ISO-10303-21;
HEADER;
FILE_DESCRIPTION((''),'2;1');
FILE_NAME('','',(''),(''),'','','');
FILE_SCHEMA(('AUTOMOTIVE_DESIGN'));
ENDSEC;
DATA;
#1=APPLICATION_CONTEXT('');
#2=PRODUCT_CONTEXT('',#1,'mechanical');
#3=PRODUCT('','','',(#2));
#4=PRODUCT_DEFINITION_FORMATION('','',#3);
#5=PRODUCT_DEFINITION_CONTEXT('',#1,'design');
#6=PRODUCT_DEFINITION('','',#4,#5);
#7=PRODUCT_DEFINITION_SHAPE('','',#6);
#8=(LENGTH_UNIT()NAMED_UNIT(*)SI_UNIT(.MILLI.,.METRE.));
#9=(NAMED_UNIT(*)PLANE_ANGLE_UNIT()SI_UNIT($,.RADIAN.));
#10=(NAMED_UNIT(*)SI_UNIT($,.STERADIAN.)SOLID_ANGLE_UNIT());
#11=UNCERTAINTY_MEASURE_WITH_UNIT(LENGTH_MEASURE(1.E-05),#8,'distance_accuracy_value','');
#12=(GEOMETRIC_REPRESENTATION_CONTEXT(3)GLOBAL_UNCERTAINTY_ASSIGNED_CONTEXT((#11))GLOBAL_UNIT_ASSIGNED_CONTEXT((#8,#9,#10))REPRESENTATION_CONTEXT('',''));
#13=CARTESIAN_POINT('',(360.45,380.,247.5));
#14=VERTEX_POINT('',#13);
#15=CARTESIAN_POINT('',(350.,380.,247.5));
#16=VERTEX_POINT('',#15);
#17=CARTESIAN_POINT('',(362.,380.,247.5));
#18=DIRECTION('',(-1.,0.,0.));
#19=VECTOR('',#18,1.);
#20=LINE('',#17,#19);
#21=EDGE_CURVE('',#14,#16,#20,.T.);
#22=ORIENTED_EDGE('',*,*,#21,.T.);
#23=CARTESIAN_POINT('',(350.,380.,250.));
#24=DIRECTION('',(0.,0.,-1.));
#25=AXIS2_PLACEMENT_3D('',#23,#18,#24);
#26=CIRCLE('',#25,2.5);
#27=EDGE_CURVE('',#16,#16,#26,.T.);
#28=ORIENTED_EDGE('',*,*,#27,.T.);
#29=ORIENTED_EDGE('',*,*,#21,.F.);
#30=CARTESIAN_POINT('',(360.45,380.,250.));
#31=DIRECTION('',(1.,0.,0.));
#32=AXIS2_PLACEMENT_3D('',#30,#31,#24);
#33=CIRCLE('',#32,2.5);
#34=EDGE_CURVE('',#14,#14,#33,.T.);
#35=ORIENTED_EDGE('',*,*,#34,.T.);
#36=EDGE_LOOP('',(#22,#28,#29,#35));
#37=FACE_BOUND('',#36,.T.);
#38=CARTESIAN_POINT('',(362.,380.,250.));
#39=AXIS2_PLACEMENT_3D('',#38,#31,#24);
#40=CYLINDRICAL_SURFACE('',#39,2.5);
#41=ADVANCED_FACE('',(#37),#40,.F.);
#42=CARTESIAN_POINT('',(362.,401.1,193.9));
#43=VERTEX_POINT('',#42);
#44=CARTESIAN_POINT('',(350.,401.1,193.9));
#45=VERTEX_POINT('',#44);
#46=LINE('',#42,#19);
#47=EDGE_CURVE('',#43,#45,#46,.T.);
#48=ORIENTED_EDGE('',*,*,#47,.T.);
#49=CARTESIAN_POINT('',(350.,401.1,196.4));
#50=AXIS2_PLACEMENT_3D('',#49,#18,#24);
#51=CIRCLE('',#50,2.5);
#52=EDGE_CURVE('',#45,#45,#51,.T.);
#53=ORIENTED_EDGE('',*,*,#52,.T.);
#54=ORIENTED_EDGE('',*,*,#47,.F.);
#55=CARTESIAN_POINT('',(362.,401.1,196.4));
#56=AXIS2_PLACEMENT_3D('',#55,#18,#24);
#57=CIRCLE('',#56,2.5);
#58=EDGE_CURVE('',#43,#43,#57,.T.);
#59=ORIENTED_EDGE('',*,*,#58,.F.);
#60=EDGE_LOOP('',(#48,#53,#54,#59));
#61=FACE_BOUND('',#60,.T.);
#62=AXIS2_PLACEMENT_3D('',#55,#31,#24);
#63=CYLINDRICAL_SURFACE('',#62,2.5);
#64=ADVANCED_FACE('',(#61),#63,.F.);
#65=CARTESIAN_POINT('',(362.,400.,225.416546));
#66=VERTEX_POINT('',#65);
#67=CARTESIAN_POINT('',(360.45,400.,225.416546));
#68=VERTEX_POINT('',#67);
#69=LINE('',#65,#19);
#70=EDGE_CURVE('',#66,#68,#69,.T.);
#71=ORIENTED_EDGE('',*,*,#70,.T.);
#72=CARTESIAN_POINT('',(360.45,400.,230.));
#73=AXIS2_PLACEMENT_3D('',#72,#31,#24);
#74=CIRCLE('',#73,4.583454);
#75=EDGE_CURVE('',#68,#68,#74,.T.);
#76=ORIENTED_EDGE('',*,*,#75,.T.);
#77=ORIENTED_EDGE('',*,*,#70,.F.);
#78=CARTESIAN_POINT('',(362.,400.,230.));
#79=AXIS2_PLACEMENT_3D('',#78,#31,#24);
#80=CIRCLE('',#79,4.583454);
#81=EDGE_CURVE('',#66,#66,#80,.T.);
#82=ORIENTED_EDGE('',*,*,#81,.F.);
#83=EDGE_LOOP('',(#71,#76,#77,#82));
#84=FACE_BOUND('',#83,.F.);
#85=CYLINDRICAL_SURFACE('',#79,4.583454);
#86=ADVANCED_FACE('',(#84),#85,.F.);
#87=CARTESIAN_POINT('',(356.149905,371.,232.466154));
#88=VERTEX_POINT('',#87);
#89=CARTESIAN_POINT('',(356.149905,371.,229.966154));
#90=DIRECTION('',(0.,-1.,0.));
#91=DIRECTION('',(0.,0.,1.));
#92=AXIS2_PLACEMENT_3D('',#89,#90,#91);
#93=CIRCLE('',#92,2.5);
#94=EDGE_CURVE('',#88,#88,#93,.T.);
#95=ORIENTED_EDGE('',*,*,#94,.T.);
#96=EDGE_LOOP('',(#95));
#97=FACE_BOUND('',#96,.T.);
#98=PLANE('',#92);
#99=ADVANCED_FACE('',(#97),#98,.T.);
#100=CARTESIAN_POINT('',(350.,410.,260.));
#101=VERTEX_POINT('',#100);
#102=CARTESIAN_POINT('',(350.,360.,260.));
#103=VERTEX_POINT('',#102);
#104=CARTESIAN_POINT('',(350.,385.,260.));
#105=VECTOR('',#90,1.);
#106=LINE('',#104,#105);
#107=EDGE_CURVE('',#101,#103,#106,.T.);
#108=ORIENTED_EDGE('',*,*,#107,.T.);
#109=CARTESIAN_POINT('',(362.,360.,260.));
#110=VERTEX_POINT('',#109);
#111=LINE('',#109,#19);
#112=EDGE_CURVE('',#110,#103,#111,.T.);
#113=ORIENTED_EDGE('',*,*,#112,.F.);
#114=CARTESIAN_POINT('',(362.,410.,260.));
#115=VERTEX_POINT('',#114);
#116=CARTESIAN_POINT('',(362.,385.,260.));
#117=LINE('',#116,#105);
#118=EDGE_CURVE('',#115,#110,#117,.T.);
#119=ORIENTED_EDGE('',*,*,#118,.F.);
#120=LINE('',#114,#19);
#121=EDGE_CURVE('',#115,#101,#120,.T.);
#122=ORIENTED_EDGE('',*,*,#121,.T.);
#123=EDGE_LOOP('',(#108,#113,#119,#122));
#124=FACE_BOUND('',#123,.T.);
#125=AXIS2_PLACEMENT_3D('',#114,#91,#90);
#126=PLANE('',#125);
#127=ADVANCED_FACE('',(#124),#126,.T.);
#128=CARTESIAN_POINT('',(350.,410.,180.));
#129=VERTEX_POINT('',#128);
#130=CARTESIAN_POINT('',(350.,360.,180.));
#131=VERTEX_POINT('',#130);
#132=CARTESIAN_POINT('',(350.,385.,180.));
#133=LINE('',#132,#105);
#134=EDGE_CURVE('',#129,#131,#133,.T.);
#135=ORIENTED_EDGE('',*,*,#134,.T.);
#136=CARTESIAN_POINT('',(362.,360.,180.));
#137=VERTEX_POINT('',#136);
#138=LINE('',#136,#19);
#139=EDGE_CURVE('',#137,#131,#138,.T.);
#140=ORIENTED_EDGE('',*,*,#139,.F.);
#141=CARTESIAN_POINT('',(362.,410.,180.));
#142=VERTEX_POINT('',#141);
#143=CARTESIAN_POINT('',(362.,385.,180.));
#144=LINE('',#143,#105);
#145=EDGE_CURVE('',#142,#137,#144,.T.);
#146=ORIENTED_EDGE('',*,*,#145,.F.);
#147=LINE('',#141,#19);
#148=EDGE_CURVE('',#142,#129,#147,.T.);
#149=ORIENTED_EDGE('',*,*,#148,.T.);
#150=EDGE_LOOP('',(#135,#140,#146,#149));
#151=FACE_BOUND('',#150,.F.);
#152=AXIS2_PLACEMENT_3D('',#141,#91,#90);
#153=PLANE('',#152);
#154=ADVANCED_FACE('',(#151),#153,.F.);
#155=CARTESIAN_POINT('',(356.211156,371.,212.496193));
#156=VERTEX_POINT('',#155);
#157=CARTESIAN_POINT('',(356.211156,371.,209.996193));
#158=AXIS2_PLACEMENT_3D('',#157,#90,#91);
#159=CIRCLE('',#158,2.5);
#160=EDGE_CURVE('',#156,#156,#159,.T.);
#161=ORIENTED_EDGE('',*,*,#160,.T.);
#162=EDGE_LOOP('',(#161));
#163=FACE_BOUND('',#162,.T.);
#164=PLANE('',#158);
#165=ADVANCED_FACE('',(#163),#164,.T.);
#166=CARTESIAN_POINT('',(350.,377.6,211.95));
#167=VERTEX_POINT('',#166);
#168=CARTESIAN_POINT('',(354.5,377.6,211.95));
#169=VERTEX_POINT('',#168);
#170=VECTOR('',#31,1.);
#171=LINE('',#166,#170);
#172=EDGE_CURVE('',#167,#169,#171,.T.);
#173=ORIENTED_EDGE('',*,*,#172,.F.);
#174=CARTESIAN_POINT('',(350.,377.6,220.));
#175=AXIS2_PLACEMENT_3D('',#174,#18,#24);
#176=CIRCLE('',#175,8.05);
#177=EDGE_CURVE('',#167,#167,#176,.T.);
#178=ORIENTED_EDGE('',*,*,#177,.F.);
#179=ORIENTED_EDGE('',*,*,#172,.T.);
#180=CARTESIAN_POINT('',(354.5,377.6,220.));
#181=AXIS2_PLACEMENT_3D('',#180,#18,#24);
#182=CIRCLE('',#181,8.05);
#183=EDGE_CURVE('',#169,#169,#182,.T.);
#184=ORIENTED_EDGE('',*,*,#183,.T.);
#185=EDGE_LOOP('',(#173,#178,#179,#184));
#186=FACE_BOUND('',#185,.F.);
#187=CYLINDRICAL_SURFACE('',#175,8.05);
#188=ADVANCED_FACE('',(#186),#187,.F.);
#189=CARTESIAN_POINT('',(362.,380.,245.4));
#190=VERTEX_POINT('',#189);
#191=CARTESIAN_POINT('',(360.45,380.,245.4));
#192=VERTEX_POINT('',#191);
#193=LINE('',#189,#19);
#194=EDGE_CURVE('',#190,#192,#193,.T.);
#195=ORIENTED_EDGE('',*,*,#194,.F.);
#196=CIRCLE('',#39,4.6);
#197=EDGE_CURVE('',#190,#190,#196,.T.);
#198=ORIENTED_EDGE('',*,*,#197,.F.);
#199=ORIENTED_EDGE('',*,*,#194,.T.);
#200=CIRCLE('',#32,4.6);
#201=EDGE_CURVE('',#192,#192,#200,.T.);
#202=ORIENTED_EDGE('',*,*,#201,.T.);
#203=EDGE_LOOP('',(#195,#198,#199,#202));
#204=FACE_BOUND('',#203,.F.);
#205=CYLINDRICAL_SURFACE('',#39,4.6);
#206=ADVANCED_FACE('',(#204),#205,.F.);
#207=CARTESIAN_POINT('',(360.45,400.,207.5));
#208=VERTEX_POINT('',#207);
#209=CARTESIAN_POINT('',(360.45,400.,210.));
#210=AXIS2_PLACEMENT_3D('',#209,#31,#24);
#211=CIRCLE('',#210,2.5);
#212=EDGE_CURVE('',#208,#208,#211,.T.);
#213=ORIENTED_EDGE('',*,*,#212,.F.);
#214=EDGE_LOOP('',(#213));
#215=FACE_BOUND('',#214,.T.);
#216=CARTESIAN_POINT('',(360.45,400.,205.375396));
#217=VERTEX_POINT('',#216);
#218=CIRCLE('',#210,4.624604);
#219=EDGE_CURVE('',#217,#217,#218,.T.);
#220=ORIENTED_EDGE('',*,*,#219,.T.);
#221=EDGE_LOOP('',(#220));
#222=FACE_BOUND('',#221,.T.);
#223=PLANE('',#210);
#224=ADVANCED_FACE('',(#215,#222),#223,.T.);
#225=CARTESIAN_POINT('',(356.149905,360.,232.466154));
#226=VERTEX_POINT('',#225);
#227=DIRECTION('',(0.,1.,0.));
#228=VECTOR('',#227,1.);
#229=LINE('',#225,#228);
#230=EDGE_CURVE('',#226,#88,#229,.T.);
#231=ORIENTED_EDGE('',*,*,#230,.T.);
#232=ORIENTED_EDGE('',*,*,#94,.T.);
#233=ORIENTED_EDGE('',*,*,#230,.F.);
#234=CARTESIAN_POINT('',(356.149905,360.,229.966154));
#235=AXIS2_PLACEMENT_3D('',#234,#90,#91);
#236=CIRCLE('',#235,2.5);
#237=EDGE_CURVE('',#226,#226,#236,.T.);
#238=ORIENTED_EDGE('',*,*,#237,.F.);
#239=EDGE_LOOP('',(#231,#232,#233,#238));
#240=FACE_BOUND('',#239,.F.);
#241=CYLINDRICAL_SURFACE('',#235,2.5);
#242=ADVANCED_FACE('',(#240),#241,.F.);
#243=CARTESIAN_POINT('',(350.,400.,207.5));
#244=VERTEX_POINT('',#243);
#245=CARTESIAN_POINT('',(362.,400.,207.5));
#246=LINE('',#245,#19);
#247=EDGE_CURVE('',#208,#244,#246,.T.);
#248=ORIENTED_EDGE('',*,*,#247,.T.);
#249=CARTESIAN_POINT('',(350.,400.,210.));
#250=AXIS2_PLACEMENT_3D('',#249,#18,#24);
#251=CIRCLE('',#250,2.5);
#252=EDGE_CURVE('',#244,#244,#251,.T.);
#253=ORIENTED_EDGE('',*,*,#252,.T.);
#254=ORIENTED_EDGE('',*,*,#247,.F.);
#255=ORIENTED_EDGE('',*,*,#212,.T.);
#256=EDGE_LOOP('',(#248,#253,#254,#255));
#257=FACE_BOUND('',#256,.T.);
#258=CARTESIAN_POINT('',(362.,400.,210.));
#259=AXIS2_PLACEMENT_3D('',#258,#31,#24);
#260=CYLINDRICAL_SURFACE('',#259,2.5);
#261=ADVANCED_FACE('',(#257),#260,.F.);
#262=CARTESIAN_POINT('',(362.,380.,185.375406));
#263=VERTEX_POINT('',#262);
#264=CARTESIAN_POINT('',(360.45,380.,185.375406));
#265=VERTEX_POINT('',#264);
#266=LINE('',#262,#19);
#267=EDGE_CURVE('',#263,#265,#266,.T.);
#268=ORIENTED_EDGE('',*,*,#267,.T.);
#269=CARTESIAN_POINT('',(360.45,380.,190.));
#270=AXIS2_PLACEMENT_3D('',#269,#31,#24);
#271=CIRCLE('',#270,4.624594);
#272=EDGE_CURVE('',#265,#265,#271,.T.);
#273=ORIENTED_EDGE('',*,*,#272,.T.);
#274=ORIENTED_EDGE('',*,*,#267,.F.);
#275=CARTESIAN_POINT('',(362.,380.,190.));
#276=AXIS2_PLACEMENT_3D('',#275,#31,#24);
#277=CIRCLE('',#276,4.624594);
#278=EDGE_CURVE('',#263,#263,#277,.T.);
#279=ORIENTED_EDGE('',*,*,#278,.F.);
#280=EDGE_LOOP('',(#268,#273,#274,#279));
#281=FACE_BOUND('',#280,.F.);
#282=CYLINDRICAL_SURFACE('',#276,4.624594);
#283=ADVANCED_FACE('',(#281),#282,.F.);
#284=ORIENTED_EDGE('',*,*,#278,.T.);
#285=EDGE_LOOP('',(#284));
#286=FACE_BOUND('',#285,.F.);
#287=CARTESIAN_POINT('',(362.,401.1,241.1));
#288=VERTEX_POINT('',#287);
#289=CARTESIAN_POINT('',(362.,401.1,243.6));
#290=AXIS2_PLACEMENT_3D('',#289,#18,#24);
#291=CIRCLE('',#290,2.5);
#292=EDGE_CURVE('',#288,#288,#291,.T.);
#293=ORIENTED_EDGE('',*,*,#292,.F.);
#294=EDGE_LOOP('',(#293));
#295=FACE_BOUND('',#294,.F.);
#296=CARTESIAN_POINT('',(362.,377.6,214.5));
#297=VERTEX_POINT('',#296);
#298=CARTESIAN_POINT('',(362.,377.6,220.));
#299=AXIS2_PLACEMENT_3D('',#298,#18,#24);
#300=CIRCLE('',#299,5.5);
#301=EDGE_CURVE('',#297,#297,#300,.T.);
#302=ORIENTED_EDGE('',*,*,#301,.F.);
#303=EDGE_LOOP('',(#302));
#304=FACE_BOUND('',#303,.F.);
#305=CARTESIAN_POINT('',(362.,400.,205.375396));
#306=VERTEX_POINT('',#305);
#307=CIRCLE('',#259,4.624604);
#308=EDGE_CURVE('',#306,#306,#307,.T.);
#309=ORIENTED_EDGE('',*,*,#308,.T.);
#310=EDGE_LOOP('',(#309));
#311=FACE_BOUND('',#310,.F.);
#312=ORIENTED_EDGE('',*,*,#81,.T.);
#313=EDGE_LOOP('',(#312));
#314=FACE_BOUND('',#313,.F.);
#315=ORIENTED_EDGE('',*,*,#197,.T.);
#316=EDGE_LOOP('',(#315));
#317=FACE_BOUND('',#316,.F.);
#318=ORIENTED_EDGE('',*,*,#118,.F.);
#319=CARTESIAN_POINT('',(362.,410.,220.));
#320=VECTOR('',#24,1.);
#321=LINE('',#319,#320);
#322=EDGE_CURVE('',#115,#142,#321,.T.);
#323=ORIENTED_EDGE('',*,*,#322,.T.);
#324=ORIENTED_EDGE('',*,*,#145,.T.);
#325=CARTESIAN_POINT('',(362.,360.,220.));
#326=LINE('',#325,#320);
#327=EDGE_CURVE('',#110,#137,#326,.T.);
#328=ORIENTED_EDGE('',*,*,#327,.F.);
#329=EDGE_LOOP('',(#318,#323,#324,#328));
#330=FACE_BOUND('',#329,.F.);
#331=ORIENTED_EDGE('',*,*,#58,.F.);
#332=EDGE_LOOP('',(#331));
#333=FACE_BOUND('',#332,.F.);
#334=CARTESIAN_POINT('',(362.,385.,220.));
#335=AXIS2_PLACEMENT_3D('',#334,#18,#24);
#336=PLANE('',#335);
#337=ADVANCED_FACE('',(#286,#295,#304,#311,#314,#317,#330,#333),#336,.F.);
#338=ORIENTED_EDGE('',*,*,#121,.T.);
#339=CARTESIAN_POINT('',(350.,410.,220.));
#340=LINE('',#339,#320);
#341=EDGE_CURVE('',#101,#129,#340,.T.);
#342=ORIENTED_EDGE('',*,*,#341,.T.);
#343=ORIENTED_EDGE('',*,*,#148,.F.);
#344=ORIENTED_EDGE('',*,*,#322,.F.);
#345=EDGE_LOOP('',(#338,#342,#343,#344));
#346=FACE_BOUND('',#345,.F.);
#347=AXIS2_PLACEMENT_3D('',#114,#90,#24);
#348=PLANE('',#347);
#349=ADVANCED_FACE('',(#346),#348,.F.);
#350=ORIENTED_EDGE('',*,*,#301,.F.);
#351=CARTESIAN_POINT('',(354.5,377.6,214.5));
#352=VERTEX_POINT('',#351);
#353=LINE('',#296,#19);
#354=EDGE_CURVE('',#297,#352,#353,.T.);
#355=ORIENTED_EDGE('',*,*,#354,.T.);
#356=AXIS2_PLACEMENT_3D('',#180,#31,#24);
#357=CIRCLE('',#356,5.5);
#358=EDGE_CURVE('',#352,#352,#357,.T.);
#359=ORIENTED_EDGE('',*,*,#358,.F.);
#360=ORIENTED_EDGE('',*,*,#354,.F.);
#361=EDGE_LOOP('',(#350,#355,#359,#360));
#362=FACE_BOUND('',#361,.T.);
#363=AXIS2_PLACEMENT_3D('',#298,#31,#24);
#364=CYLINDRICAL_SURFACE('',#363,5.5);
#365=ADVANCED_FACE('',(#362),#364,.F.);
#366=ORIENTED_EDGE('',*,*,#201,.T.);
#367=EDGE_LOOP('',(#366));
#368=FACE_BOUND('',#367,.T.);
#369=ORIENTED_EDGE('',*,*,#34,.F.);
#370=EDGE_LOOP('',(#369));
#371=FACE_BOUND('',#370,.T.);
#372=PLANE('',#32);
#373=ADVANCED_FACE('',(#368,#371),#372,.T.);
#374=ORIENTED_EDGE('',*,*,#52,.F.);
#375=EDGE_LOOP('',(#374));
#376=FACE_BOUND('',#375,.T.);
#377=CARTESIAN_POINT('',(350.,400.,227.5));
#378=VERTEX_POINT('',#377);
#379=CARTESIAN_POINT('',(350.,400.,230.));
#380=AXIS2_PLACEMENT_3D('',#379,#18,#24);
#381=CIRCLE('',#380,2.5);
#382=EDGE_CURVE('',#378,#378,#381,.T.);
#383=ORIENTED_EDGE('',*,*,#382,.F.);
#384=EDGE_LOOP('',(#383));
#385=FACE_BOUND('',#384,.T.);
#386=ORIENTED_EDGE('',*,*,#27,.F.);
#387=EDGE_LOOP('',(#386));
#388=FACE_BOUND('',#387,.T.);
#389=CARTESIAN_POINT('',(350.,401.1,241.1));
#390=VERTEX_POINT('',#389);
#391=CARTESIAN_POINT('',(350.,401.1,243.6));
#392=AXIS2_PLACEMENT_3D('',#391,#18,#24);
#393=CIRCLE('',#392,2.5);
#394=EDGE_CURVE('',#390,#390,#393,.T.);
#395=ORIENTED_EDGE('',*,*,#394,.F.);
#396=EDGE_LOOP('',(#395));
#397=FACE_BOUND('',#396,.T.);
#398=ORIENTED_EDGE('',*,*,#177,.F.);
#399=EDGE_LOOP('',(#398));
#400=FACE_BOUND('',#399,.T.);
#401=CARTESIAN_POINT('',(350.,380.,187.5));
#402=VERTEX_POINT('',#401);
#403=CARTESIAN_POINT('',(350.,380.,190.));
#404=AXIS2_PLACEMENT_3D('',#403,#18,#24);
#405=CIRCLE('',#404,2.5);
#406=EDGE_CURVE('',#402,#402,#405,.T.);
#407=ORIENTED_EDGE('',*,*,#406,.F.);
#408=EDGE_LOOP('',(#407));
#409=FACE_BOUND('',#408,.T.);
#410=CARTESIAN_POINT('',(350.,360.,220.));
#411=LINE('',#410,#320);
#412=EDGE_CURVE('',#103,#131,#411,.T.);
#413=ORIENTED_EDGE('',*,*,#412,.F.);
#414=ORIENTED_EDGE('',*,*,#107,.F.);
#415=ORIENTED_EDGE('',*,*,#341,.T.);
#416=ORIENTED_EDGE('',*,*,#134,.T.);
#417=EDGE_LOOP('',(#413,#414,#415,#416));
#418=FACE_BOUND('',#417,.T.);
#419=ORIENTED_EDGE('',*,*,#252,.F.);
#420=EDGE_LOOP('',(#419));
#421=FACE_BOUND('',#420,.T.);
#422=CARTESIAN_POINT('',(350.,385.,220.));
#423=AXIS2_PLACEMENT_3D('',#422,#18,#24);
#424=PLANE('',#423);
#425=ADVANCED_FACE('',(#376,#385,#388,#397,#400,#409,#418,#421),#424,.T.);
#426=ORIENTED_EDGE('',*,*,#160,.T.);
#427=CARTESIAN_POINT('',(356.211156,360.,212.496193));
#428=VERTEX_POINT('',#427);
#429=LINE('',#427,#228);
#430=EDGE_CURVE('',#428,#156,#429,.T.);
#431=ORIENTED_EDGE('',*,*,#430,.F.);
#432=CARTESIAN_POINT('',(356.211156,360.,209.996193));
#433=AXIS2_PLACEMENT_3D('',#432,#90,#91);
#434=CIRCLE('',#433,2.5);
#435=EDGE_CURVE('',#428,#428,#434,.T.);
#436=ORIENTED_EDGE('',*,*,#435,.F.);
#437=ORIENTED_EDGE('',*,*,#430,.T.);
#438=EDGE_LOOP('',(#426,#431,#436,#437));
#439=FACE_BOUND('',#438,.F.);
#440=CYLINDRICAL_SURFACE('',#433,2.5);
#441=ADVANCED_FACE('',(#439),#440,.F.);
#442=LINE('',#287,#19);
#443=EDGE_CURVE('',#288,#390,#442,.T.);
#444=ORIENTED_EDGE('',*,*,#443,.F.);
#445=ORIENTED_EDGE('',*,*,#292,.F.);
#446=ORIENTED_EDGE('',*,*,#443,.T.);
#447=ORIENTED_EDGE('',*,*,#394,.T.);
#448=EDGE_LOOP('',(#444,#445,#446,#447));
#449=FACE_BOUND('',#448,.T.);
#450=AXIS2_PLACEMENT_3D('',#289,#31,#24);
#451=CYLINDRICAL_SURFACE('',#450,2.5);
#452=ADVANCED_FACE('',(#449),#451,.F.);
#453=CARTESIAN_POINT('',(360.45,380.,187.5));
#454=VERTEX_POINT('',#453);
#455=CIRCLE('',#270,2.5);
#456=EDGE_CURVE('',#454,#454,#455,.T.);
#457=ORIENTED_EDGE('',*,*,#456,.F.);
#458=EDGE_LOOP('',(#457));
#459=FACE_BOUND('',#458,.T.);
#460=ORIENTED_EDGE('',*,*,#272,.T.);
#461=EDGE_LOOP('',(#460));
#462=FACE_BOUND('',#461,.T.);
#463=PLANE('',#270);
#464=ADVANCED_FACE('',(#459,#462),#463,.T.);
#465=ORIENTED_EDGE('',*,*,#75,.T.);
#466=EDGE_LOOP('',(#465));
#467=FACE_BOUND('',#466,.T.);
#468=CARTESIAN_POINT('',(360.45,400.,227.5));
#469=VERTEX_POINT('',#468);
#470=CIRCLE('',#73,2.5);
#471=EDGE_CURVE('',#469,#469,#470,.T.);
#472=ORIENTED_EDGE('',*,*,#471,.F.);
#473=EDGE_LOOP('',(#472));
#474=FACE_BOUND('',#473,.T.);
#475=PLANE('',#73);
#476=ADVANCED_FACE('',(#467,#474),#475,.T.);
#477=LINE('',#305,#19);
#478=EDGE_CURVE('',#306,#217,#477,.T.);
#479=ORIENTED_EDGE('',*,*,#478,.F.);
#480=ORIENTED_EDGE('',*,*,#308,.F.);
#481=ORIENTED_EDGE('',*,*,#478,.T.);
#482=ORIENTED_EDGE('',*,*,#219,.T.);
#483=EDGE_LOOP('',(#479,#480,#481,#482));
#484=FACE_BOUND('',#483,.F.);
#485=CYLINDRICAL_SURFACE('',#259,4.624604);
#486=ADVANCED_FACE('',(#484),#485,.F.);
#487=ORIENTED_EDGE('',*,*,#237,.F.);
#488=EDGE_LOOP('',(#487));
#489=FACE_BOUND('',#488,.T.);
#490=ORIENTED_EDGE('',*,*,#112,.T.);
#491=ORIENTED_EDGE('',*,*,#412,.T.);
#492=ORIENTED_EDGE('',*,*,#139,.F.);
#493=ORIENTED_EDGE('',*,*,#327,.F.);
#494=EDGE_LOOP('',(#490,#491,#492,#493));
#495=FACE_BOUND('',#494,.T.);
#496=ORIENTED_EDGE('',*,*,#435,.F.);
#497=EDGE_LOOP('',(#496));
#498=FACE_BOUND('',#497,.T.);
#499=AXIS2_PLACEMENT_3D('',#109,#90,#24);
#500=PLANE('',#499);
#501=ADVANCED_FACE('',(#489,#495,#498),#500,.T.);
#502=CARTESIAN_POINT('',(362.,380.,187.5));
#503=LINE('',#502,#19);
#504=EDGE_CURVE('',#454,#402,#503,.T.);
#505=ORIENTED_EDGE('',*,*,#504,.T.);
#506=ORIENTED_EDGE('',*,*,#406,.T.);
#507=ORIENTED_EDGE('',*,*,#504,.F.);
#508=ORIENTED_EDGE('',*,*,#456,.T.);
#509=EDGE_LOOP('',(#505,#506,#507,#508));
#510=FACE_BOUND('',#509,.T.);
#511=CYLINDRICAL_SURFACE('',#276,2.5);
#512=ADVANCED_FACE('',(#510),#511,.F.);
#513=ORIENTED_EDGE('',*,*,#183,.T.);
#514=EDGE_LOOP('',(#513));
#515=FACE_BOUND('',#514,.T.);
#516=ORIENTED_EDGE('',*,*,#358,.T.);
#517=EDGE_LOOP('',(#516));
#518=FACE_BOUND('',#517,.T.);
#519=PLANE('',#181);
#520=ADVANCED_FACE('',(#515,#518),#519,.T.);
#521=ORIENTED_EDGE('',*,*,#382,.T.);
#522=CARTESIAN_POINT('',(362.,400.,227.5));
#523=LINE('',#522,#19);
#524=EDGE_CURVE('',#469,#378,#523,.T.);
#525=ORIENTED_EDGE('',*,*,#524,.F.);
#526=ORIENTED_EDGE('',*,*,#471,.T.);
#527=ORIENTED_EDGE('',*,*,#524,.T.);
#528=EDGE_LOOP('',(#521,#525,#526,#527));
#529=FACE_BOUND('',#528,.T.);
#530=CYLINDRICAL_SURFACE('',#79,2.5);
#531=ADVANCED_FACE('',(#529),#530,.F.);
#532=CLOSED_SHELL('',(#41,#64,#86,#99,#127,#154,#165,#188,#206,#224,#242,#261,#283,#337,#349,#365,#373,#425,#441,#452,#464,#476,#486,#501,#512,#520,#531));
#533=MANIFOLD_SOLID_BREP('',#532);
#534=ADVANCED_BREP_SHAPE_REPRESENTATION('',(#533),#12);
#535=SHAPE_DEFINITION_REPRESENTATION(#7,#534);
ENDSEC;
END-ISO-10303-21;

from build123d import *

# Parameters (mm, degrees)
SKETCH014_W     = 80
SKETCH014_H     = 50
SKETCH014_R     = 2.5
SKETCH014_R_2   = 5.5
PAD003_DEPTH    = 12
SKETCH015_R     = 2.5
POCKET009_DEPTH = 11
SKETCH016_R     = 8.05
POCKET010_DEPTH = 4.5
SKETCH017_R     = 4.6
SKETCH017_R_2   = 4.624594
SKETCH017_R_3   = 4.583454
SKETCH017_R_4   = 4.624604
POCKET011_DEPTH = 1.55


with BuildPart() as part:
    # Sketch014 → Pad003 (new body)
    with BuildSketch(Plane(origin=(362, 410, 260), x_dir=(0, 0, -1), z_dir=(-1, 0, 0))):
        with Locations((40, 25)):
            Rectangle(SKETCH014_W, SKETCH014_H)
        with Locations((10, 30)):
            Circle(SKETCH014_R, mode=Mode.SUBTRACT)
        with Locations((30, 10)):
            Circle(SKETCH014_R, mode=Mode.SUBTRACT)
        with Locations((16.4, 8.9)):
            Circle(SKETCH014_R, mode=Mode.SUBTRACT)
        with Locations((50, 10)):
            Circle(SKETCH014_R, mode=Mode.SUBTRACT)
        with Locations((63.6, 8.9)):
            Circle(SKETCH014_R, mode=Mode.SUBTRACT)
        with Locations((70, 30)):
            Circle(SKETCH014_R, mode=Mode.SUBTRACT)
        with Locations((40, 32.4)):
            Circle(SKETCH014_R_2, mode=Mode.SUBTRACT)
    extrude(amount=PAD003_DEPTH)

    # Sketch015 → Pocket009 (cut)
    with BuildSketch(Plane(origin=(362, 360, 260), x_dir=(0, 0, 1), z_dir=(0, -1, 0))):
        with Locations((-30.033846, 5.850095)):
            Circle(SKETCH015_R)
        with Locations((-50.003807, 5.788844)):
            Circle(SKETCH015_R)
    extrude(amount=-POCKET009_DEPTH, mode=Mode.SUBTRACT)

    # Sketch016 → Pocket010 (cut)
    with BuildSketch(Plane(origin=(350, 410, 260), x_dir=(0, 0, -1), z_dir=(-1, 0, 0))):
        with Locations((40, 32.4)):
            Circle(SKETCH016_R)
    extrude(amount=-POCKET010_DEPTH, mode=Mode.SUBTRACT)

    # Sketch017 → Pocket011 (cut)
    with BuildSketch(Plane(origin=(362, 410, 260), x_dir=(0, 0, -1), z_dir=(1, 0, 0))):
        with Locations((10, -30)):
            Circle(SKETCH017_R)
        with Locations((70, -30)):
            Circle(SKETCH017_R_2)
        with Locations((30, -10)):
            Circle(SKETCH017_R_3)
        with Locations((50, -10)):
            Circle(SKETCH017_R_4)
    extrude(amount=-POCKET011_DEPTH, mode=Mode.SUBTRACT)


solid = part.part
